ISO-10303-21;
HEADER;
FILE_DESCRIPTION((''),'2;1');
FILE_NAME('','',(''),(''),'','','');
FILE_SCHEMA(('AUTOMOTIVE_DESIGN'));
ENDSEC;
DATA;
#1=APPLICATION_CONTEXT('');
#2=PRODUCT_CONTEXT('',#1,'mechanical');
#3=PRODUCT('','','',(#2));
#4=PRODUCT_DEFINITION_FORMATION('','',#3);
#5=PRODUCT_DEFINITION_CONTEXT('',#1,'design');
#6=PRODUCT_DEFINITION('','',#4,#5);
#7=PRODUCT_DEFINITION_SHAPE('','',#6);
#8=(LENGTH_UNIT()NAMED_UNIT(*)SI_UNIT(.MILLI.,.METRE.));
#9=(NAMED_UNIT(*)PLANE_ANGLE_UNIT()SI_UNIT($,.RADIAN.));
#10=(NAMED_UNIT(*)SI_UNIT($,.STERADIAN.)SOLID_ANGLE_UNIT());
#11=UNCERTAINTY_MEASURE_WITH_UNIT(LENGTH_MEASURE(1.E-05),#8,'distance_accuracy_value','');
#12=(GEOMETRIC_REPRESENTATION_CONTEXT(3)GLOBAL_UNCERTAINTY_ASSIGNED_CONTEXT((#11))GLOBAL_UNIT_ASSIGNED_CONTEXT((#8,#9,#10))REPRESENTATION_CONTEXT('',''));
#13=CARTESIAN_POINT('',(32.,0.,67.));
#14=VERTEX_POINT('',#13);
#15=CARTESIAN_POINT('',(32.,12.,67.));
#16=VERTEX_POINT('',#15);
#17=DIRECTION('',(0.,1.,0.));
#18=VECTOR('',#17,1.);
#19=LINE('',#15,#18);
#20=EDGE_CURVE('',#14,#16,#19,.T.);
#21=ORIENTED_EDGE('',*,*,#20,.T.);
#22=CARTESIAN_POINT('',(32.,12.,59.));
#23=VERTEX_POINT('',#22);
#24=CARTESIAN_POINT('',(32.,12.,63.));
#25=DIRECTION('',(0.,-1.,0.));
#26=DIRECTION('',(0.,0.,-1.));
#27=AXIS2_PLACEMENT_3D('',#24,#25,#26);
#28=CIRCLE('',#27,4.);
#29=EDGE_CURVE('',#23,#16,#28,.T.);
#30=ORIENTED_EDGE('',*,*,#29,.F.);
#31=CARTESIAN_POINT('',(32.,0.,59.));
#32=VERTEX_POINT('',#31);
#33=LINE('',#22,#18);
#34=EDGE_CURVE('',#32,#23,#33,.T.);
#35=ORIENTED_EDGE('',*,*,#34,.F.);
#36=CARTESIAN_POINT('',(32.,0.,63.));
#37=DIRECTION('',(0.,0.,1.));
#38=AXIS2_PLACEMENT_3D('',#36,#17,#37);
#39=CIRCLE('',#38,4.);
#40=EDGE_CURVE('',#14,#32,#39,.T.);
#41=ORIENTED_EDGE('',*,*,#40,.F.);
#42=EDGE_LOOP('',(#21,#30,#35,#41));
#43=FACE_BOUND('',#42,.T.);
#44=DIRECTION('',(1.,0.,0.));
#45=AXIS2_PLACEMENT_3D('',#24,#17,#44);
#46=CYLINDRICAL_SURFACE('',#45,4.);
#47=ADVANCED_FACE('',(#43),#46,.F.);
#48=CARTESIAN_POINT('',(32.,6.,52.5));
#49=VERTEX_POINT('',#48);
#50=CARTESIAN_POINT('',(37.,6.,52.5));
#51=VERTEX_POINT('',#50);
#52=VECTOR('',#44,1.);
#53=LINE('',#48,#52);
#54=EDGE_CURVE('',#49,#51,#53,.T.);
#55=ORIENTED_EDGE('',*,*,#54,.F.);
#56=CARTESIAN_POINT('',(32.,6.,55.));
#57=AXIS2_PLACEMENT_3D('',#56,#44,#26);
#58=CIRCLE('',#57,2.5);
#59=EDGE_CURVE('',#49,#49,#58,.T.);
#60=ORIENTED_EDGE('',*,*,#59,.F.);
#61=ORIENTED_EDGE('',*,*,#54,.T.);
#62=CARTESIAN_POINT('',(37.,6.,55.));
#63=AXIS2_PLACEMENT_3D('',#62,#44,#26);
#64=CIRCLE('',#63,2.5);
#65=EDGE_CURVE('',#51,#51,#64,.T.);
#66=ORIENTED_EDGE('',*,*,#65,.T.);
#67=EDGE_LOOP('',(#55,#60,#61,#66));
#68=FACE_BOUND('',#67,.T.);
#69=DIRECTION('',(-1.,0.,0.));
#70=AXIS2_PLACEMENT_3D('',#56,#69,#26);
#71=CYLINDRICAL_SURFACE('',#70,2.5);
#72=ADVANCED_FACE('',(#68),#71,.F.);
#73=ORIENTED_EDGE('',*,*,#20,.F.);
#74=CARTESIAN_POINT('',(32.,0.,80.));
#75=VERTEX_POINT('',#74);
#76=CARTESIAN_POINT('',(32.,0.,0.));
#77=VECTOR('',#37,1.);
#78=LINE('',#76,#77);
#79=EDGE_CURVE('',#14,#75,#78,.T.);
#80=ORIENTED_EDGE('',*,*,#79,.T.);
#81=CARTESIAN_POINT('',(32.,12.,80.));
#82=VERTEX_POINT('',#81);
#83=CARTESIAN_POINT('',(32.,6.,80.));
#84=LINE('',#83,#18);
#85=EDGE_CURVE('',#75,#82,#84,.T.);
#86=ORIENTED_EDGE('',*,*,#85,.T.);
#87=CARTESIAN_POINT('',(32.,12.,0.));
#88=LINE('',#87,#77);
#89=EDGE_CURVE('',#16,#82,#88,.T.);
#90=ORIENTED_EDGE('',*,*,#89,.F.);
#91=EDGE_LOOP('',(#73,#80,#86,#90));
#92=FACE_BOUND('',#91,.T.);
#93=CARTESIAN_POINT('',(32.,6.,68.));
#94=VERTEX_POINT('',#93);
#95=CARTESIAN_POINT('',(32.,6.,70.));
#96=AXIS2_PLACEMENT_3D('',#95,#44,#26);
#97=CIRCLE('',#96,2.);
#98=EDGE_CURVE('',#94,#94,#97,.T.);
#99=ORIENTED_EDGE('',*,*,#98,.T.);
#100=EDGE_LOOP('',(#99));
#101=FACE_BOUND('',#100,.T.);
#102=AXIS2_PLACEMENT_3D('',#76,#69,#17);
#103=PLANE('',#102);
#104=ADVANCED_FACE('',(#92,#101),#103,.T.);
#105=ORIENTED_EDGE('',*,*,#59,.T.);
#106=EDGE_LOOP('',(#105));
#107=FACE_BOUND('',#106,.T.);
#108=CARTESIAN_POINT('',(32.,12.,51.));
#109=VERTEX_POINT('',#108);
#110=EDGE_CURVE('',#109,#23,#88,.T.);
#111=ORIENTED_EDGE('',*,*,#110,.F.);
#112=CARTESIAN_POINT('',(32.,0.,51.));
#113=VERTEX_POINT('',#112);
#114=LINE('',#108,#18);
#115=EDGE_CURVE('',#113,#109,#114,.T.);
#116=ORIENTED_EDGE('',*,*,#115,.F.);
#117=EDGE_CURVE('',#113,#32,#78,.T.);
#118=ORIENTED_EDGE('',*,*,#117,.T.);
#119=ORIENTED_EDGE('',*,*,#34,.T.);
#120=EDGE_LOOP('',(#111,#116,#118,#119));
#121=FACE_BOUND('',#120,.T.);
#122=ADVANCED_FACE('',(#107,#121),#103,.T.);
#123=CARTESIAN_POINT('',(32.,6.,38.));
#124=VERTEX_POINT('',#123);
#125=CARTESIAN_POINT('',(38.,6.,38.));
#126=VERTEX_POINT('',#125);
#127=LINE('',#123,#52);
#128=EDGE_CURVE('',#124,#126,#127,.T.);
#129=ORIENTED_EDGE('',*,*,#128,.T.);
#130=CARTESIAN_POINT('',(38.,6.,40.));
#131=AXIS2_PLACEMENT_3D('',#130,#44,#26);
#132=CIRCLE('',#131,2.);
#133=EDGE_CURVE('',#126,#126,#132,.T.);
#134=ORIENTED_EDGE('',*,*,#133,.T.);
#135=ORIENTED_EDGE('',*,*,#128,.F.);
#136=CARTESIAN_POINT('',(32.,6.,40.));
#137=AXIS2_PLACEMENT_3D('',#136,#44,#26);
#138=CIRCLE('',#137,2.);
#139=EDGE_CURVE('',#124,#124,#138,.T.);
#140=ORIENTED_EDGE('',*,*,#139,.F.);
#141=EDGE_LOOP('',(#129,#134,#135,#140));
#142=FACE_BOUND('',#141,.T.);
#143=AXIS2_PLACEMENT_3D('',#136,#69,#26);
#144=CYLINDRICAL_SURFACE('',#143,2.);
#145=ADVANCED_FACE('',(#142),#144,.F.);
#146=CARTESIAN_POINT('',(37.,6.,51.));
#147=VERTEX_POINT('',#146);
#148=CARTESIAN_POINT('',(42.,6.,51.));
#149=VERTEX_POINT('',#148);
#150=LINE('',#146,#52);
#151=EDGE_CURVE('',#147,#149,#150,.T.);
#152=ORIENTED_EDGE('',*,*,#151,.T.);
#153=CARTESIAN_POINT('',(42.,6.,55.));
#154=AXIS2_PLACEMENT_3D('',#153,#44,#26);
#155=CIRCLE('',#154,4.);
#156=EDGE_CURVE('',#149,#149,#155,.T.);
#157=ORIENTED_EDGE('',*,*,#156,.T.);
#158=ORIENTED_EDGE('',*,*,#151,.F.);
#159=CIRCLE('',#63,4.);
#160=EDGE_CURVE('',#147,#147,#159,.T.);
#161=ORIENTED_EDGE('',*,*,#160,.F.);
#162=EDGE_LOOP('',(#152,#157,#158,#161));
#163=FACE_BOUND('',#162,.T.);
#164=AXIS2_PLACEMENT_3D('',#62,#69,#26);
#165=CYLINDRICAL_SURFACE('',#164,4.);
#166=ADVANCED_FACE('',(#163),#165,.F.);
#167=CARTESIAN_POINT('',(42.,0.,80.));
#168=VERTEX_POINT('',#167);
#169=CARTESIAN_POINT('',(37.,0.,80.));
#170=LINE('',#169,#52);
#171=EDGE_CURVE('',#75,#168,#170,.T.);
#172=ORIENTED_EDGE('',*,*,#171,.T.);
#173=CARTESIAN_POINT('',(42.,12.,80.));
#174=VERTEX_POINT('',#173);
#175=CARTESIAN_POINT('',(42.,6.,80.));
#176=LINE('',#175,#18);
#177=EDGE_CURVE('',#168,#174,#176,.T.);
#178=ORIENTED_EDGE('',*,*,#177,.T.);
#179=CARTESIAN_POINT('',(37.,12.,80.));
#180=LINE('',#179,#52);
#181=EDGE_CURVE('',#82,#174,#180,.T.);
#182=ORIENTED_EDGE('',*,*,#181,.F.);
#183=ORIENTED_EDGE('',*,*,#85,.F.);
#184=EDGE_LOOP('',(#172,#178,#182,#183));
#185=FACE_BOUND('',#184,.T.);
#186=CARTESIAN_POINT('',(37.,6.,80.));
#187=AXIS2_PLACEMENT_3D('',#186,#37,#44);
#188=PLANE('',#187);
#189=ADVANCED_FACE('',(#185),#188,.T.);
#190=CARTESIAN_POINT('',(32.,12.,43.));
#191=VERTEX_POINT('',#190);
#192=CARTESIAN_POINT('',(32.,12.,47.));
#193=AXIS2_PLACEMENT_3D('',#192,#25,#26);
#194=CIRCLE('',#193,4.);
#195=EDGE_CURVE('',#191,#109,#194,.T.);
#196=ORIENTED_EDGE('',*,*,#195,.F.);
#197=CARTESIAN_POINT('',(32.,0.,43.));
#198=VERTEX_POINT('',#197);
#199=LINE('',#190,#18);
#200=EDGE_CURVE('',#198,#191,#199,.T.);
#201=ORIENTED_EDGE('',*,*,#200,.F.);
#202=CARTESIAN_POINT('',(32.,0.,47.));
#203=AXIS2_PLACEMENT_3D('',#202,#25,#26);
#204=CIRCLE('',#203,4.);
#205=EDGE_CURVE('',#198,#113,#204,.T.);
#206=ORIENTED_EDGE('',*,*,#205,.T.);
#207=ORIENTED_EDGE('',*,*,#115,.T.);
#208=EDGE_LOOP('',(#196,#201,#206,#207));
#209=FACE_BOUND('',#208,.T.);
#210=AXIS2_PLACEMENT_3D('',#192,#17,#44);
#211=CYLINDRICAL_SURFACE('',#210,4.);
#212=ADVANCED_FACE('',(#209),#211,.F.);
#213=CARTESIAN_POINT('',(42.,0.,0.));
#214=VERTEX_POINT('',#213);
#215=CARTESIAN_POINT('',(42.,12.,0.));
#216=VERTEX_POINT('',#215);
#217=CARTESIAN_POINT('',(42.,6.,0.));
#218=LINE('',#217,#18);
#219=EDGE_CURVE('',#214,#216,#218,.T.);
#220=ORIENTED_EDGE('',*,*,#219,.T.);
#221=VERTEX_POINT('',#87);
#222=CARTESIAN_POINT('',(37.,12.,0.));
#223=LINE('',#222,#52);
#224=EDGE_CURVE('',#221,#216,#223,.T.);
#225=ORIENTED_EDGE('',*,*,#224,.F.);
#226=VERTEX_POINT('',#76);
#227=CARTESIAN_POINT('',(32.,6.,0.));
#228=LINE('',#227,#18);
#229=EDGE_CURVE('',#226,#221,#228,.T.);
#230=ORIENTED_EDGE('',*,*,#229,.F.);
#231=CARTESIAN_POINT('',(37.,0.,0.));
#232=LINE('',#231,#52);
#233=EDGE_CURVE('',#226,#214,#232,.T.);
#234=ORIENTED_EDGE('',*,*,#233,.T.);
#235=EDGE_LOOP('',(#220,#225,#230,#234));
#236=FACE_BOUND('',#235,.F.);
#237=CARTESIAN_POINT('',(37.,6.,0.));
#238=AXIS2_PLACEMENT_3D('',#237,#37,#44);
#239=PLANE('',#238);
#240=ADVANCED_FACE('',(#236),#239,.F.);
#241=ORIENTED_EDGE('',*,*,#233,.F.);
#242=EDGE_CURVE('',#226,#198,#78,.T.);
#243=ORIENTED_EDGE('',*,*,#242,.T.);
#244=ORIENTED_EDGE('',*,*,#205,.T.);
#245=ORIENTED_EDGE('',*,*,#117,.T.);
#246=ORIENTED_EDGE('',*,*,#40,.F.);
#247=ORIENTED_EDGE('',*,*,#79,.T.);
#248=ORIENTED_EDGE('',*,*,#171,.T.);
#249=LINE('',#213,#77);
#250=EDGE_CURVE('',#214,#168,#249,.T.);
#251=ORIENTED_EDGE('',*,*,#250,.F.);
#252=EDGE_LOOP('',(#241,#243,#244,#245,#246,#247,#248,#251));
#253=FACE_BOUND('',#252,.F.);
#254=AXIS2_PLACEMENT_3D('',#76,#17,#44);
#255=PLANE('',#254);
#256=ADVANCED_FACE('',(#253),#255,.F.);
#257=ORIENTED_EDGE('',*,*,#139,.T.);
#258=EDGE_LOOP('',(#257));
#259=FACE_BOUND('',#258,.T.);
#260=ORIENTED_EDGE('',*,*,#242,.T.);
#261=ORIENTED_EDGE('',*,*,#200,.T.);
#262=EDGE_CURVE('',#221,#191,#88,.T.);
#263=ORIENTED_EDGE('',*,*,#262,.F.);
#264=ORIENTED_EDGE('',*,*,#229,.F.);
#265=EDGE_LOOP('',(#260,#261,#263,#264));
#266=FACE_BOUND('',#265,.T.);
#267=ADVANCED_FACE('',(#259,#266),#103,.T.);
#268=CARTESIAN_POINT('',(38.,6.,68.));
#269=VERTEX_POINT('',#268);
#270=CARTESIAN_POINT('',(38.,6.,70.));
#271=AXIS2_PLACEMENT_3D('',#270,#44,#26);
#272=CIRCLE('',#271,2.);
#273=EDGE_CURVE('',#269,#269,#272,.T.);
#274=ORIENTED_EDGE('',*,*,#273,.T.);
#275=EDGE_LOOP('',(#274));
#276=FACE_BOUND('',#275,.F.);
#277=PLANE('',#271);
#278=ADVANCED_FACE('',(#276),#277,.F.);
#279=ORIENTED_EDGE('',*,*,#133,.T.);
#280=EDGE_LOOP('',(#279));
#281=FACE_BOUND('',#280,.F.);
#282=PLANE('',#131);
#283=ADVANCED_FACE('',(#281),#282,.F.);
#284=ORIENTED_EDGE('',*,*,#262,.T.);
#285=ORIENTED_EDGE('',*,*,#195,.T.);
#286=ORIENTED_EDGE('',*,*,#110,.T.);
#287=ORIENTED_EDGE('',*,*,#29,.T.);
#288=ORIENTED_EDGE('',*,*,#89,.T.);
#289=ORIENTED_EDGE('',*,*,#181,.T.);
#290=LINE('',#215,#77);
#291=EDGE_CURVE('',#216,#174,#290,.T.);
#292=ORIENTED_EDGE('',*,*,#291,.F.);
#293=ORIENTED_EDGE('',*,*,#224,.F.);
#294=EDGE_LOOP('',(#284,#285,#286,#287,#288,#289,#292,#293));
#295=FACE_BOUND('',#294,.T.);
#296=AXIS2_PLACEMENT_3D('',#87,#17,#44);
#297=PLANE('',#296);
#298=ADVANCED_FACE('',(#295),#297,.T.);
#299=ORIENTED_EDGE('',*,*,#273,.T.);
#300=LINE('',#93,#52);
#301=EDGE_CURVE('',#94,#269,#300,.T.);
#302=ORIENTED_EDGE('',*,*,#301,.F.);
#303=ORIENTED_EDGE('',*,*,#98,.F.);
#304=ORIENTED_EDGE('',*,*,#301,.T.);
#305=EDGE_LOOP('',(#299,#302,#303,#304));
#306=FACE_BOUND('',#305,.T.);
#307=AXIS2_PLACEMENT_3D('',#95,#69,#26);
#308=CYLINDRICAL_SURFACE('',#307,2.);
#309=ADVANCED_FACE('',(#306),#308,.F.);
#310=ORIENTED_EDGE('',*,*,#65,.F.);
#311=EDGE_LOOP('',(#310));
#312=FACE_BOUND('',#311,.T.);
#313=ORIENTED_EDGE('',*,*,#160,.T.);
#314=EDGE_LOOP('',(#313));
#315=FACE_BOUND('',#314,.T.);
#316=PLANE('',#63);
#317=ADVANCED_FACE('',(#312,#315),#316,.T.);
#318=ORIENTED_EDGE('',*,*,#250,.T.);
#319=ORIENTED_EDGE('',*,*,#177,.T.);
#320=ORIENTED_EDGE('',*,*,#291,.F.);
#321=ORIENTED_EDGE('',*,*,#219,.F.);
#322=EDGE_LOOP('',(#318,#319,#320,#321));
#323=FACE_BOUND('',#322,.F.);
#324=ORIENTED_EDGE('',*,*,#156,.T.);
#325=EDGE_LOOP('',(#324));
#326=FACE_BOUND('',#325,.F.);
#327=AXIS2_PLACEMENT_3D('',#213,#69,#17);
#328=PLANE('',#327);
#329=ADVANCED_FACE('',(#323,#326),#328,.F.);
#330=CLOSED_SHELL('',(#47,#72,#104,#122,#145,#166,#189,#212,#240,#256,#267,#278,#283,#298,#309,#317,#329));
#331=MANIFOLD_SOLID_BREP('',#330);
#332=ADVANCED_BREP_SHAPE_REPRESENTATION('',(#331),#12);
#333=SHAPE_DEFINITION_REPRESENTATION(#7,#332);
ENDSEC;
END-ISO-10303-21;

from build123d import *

# Parameters (mm, degrees)
CYLINDER010_R     = 4
CYLINDER010_DEPTH = 12
CYLINDER009_R     = 4
CYLINDER009_DEPTH = 12
CYLINDER006_R     = 4
CYLINDER006_DEPTH = 5
CYLINDER005_R     = 2.5
CYLINDER005_DEPTH = 5
CYLINDER003_R     = 2
CYLINDER003_DEPTH = 6
CYLINDER002_R     = 2
CYLINDER002_DEPTH = 6
BOX_W             = 10
BOX_H             = 12
BOX_DEPTH         = 80


with BuildPart() as cylinder010:
    # Cylinder010 → Cylinder010 (new body)
    with BuildSketch(Plane(origin=(10, 10, 63), x_dir=(1, 0, 0), z_dir=(0, -1, 0))):
        Circle(CYLINDER010_R)
    extrude(amount=CYLINDER010_DEPTH)


with BuildPart() as fusion005:
    # Cylinder009 → Cylinder009 (new body)
    with BuildSketch(Plane(origin=(10, 10, 47), x_dir=(1, 0, 0), z_dir=(0, -1, 0))):
        Circle(CYLINDER009_R)
    extrude(amount=CYLINDER009_DEPTH)

    # Fusion005: union Cylinder010
    add(cylinder010.part)


with BuildPart() as fusion005_1:
    # Fusion005 placement: moved
    add(fusion005.part.moved(Location((22, 2, 0))))


with BuildPart() as cylinder006:
    # Cylinder006 → Cylinder006 (new body)
    with BuildSketch(Plane(origin=(37, 5, 55), x_dir=(0, 0, -1), z_dir=(1, 0, 0))):
        Circle(CYLINDER006_R)
    extrude(amount=CYLINDER006_DEPTH)


with BuildPart() as fusion003:
    # Cylinder005 → Cylinder005 (new body)
    with BuildSketch(Plane(origin=(32, 5, 55), x_dir=(0, 0, -1), z_dir=(1, 0, 0))):
        Circle(CYLINDER005_R)
    extrude(amount=CYLINDER005_DEPTH)

    # Fusion003: union Cylinder006
    add(cylinder006.part)


with BuildPart() as fusion003_1:
    # Fusion003 placement: moved
    add(fusion003.part.moved(Location((0, 1, 0))))


with BuildPart() as cylinder003:
    # Cylinder003 → Cylinder003 (new body)
    with BuildSketch(Plane(origin=(10, 5, 40), x_dir=(0, 0, -1), z_dir=(1, 0, 0))):
        Circle(CYLINDER003_R)
    extrude(amount=CYLINDER003_DEPTH)


with BuildPart() as clipsnegative:
    # Cylinder002 → Cylinder002 (new body)
    with BuildSketch(Plane(origin=(10, 5, 70), x_dir=(0, 0, -1), z_dir=(1, 0, 0))):
        Circle(CYLINDER002_R)
    extrude(amount=CYLINDER002_DEPTH)

    # Fusion001: union Cylinder003
    add(cylinder003.part)


with BuildPart() as clipsnegative_1:
    # Fusion001 placement: moved
    add(clipsnegative.part.moved(Location((22, 1, 0))))


with BuildPart() as clampsideb:
    # Box → Box (new body)
    with BuildSketch(Plane(origin=(32, 0, 0), x_dir=(1, 0, 0), z_dir=(0, 0, 1))):
        with Locations((5, 6)):
            Rectangle(BOX_W, BOX_H)
    extrude(amount=BOX_DEPTH)

    # Cut: cut ClipsNegative
    add(clipsnegative_1.part, mode=Mode.SUBTRACT)

    # Cut002: cut Fusion003
    add(fusion003_1.part, mode=Mode.SUBTRACT)

    # Cut004: cut Fusion005
    add(fusion005_1.part, mode=Mode.SUBTRACT)


solid = clampsideb.part
